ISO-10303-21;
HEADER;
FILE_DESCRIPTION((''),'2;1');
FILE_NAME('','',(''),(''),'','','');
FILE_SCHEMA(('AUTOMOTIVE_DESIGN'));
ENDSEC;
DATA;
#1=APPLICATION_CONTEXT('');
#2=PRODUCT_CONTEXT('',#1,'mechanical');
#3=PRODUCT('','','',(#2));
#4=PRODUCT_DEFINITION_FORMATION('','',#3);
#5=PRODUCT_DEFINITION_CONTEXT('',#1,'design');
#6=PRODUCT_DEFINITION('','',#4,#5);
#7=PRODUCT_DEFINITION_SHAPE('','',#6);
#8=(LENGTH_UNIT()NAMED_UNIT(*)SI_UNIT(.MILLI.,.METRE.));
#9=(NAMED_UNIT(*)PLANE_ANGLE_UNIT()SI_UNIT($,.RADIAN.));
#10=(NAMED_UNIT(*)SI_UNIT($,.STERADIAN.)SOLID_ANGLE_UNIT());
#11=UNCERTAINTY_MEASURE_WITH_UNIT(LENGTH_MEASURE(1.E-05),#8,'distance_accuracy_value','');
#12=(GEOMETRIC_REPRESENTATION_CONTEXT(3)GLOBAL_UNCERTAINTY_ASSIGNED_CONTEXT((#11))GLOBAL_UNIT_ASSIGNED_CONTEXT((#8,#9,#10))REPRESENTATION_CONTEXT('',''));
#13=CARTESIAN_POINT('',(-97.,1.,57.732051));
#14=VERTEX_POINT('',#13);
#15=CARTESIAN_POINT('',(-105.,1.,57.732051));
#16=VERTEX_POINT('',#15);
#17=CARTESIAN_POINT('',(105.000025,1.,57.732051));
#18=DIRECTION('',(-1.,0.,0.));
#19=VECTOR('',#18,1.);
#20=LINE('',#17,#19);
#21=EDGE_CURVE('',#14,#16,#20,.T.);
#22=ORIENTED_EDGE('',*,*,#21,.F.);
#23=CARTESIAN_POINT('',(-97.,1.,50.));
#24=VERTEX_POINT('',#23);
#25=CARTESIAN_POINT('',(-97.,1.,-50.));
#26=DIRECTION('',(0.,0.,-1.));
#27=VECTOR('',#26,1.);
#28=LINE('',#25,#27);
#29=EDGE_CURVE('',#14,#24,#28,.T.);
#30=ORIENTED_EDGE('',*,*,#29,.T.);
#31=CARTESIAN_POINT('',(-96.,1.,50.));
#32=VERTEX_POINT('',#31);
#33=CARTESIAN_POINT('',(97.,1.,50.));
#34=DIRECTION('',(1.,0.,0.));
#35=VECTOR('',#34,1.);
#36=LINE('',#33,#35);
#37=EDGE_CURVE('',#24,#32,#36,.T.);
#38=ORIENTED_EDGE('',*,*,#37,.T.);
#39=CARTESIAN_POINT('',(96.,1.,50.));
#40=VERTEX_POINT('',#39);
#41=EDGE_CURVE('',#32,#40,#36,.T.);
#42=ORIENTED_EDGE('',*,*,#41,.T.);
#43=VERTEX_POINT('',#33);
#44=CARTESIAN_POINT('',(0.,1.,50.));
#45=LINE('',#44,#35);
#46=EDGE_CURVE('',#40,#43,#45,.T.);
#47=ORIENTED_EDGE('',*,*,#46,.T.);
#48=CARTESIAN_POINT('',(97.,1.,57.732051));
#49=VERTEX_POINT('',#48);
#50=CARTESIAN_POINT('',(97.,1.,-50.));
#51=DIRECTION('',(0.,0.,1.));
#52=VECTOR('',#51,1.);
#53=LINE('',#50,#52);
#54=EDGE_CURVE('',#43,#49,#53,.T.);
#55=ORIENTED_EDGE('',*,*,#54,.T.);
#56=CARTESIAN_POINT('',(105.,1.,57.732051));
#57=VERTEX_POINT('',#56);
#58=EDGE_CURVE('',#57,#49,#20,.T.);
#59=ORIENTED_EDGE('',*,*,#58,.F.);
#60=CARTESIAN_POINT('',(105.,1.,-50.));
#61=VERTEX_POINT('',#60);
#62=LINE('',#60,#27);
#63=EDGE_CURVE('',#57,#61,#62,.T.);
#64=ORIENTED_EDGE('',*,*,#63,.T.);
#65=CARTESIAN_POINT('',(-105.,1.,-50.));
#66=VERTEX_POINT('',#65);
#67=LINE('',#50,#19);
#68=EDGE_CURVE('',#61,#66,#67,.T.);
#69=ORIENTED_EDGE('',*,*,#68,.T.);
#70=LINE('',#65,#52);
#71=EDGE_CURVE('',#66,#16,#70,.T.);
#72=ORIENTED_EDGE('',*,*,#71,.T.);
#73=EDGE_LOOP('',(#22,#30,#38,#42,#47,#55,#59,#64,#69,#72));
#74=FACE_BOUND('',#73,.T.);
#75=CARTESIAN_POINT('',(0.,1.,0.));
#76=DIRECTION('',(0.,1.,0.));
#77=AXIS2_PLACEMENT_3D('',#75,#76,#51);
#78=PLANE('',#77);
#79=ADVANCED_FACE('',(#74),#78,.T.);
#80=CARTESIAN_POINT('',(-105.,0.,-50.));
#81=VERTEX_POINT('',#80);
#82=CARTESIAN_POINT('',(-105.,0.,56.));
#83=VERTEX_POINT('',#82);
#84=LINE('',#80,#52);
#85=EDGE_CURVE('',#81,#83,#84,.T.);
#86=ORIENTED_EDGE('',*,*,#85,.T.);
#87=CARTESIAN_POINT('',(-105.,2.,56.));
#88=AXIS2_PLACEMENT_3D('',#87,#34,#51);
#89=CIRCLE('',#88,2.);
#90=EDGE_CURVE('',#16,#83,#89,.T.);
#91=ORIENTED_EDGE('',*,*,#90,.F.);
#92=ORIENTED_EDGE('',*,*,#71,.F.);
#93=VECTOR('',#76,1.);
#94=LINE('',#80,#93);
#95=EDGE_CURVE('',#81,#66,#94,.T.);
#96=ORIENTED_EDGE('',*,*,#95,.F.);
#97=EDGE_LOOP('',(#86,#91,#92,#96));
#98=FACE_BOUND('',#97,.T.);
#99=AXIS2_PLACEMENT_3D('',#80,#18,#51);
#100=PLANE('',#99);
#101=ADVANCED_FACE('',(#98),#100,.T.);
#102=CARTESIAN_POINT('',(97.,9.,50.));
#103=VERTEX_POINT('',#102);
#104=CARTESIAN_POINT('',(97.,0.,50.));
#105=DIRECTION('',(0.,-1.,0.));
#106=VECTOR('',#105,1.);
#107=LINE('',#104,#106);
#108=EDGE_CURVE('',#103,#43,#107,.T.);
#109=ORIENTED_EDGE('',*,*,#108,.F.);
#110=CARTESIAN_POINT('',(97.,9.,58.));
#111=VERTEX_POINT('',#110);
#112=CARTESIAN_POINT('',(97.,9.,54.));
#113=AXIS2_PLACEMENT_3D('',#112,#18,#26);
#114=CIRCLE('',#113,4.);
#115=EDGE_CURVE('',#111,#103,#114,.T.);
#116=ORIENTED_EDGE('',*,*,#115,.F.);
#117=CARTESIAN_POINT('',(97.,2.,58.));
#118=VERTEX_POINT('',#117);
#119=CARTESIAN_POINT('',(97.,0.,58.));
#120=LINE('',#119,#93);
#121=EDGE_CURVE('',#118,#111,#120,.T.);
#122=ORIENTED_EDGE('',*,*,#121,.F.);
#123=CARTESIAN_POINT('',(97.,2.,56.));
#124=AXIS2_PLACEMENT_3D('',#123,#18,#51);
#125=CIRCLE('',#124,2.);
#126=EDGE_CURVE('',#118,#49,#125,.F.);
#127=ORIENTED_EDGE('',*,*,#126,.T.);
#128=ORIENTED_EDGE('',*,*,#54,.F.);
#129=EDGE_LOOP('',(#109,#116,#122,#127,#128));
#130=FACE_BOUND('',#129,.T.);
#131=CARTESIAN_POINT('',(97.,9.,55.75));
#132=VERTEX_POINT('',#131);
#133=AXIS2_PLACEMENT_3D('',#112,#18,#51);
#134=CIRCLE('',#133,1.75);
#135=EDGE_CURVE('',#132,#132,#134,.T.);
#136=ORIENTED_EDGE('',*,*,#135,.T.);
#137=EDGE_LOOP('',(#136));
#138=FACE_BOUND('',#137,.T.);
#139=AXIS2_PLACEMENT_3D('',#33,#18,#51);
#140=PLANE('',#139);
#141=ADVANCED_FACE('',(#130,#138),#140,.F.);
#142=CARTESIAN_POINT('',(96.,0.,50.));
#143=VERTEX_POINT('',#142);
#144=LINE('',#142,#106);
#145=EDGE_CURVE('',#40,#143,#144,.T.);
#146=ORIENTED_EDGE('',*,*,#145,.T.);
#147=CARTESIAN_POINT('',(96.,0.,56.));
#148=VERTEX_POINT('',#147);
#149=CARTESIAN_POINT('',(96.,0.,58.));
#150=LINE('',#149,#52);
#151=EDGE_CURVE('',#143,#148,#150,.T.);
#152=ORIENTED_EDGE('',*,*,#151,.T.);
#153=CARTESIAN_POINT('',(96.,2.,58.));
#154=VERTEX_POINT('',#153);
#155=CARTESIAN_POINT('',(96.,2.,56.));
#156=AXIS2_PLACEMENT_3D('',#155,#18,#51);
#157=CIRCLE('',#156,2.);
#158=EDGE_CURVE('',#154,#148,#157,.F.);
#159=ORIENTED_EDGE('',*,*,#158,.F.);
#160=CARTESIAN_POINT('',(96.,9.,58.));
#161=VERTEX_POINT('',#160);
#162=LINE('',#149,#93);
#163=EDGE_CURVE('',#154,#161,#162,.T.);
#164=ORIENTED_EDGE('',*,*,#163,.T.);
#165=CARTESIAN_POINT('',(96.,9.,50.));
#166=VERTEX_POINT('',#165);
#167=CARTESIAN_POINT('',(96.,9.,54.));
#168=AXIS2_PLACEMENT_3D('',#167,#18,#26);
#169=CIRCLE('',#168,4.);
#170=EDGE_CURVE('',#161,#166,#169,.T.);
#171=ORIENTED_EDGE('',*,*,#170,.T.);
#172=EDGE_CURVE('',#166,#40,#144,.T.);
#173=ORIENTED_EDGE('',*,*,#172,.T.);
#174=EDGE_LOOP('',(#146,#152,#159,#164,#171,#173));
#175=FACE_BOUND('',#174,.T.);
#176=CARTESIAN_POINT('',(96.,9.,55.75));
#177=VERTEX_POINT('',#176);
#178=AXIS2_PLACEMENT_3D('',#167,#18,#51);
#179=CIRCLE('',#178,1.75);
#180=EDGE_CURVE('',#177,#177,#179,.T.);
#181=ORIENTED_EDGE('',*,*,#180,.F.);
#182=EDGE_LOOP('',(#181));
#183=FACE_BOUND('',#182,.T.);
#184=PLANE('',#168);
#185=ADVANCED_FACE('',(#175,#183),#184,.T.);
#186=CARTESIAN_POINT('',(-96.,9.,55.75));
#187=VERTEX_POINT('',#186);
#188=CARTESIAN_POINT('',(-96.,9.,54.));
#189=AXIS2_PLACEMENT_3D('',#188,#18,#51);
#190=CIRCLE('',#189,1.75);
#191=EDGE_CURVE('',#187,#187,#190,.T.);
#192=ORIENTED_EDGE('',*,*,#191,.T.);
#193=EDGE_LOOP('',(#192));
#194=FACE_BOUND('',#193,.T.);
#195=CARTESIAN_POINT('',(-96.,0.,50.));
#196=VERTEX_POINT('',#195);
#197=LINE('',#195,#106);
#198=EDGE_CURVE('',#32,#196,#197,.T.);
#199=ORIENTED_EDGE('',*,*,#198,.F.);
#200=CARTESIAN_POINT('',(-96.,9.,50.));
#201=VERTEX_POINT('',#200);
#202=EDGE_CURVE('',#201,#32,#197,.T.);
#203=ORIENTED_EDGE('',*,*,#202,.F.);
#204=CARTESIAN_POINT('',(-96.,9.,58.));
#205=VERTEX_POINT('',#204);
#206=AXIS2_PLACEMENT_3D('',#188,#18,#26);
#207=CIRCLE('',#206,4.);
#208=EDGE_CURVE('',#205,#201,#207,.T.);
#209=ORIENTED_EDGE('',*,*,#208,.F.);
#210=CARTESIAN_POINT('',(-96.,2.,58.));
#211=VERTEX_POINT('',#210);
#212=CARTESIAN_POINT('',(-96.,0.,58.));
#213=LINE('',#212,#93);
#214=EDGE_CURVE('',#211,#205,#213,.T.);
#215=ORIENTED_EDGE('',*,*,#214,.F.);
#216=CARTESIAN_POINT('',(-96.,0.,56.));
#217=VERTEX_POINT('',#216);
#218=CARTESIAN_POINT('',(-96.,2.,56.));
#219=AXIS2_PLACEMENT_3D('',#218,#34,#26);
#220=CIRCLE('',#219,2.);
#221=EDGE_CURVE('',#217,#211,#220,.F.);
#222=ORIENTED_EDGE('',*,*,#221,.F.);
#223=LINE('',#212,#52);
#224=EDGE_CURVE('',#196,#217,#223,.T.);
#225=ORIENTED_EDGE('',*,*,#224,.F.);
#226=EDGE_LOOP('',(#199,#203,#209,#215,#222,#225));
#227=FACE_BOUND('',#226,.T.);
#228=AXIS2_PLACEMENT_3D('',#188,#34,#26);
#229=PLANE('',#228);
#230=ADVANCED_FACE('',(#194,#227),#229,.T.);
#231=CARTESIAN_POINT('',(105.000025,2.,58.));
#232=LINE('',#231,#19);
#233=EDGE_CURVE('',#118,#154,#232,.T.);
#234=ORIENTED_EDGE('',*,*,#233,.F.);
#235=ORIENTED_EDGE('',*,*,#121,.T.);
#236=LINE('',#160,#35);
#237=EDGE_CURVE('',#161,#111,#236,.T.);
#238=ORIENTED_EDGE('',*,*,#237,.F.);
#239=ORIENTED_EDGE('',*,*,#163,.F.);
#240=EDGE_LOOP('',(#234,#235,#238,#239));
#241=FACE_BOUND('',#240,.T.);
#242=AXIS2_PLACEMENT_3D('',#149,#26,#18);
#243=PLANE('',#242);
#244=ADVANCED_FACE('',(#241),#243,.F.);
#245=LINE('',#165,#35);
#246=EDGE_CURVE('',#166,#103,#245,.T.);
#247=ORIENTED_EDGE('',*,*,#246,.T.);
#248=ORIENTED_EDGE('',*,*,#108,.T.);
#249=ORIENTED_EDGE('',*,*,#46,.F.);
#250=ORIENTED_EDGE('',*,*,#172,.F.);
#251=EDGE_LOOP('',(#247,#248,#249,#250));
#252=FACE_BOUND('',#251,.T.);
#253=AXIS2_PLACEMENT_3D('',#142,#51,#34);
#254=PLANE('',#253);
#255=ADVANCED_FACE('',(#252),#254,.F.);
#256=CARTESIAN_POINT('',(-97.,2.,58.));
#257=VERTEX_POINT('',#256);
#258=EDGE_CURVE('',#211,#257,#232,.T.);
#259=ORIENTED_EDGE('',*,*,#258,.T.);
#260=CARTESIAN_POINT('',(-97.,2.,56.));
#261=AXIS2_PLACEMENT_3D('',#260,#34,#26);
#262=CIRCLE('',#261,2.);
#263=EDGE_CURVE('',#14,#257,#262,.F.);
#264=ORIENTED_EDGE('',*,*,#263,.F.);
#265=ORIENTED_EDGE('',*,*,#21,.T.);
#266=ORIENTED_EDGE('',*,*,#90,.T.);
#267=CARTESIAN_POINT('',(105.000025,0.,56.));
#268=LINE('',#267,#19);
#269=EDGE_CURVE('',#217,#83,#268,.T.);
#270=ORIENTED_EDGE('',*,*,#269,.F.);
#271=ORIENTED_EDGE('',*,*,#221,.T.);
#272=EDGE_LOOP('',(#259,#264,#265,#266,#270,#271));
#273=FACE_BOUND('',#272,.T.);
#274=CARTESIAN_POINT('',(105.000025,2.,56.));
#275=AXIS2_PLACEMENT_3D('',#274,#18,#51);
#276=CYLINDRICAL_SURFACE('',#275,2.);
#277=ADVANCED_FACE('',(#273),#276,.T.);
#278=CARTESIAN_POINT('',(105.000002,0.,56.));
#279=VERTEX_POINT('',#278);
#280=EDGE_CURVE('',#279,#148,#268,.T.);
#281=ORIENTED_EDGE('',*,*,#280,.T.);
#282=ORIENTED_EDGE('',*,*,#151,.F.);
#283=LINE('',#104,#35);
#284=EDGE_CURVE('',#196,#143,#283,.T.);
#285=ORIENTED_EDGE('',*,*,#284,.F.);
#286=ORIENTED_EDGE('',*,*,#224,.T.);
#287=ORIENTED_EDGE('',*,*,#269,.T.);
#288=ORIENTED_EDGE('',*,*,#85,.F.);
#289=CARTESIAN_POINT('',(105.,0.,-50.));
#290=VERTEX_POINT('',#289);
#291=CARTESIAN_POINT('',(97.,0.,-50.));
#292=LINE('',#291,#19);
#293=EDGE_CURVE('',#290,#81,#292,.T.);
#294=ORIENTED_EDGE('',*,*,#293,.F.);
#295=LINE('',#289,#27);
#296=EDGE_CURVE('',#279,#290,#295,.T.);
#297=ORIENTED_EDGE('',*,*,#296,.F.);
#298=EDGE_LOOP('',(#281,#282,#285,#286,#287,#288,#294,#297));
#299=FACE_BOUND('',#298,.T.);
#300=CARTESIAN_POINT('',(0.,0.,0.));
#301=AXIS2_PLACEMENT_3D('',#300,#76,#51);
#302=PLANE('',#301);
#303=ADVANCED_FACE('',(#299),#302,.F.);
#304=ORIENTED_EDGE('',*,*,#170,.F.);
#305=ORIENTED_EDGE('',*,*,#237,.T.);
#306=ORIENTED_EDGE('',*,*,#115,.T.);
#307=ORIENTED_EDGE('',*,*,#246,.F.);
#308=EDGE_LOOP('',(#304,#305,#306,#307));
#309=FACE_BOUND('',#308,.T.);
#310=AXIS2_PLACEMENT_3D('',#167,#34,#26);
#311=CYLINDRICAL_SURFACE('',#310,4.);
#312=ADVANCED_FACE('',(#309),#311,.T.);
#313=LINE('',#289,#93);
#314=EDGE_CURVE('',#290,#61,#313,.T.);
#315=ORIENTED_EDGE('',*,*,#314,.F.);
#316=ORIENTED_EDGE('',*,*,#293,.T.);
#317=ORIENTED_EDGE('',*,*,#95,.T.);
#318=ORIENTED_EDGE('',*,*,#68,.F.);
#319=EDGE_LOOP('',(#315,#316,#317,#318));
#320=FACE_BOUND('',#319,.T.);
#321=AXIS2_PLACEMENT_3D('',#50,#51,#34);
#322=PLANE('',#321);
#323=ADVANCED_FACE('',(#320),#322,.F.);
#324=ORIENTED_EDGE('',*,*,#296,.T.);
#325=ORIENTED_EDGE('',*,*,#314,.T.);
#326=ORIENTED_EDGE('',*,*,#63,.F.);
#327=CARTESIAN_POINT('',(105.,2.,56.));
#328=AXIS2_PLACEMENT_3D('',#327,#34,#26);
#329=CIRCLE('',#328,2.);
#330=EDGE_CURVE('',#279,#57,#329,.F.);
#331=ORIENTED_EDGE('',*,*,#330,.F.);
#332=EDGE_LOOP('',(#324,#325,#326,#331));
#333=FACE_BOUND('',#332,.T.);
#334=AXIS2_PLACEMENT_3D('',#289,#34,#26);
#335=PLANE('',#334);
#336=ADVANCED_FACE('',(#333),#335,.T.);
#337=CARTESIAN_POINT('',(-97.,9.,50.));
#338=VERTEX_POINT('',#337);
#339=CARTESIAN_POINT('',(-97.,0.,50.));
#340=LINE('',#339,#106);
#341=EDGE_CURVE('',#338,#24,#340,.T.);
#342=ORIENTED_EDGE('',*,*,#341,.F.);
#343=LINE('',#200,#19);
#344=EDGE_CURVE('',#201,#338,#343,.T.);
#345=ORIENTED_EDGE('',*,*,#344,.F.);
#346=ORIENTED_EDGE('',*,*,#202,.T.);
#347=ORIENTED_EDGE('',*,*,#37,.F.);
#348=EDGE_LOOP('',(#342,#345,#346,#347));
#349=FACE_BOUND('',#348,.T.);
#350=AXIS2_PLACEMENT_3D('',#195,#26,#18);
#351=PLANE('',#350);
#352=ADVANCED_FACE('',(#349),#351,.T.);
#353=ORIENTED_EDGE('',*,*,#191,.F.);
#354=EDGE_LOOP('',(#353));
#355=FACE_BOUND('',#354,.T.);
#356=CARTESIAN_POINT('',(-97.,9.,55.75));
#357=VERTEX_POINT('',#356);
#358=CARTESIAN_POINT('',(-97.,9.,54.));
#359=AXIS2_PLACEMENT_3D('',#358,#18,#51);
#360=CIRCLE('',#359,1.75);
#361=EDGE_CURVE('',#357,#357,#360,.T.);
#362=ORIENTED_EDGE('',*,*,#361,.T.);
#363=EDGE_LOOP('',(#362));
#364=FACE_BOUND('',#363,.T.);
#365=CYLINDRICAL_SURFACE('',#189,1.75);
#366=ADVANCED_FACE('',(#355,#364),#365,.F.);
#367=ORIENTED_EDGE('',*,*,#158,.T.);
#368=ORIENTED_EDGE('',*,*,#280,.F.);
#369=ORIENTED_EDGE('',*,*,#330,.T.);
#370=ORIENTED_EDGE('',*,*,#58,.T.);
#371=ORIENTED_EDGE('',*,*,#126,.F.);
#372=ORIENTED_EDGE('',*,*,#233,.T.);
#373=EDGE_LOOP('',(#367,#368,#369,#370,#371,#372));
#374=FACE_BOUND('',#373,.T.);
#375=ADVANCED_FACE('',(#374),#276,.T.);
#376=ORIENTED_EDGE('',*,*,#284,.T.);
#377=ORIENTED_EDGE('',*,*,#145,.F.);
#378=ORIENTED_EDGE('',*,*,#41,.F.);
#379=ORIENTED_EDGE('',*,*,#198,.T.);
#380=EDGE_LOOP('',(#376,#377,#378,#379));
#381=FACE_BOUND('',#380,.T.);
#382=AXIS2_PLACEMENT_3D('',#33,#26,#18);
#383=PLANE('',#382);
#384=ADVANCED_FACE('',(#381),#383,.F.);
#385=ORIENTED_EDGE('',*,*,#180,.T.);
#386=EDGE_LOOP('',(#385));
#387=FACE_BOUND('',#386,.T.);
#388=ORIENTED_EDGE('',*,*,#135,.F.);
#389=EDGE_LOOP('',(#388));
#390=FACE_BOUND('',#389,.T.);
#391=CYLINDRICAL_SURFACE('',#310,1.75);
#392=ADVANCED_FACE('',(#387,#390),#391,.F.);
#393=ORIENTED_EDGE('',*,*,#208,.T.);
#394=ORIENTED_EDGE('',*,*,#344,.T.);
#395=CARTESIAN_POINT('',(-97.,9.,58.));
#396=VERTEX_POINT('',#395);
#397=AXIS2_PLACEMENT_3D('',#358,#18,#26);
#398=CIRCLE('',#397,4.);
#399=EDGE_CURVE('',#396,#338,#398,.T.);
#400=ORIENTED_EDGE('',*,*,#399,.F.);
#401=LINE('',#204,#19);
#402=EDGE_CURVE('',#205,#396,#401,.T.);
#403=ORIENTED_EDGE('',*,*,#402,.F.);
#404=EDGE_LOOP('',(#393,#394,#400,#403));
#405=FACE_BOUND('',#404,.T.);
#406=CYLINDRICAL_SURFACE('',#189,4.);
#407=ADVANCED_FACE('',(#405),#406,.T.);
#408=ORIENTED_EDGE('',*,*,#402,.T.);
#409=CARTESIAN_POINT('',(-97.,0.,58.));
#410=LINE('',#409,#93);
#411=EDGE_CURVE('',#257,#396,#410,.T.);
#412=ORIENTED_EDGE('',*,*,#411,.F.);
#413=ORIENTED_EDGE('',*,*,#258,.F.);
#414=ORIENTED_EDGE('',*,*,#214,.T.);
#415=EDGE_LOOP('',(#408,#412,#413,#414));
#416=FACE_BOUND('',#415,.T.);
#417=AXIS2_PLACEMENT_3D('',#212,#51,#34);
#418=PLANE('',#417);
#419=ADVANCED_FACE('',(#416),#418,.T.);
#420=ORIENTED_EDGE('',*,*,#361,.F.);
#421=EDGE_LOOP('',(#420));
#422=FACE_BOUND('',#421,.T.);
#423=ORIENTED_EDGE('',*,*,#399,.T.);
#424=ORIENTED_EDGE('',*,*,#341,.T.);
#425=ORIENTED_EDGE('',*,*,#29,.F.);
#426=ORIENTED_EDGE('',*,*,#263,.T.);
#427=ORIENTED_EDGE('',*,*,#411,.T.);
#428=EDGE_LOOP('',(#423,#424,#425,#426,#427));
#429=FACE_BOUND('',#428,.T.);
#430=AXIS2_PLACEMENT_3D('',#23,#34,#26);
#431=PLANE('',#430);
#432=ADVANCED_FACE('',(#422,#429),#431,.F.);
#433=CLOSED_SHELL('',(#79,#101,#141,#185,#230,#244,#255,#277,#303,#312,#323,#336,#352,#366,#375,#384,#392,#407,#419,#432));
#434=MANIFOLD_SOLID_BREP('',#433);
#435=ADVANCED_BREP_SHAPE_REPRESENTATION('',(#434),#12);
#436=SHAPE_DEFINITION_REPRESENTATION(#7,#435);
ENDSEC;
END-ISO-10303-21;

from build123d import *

# Parameters (mm, degrees)
SKETCH1_W           = 194
SKETCH1_H           = 100
BOSS_EXTRUDE1_DEPTH = 1
SKETCH2_R           = 1.75
BOSS_EXTRUDE2_DEPTH = 1
SKETCH5_W           = 8
SKETCH5_H           = 108
BOSS_EXTRUDE3_DEPTH = 1
CUT_EXTRUDE3_DEPTH  = 219.249856816


with BuildPart() as part:
    # Sketch1 → Boss-Extrude1 (new body)
    with BuildSketch(Plane(origin=(0, 0, 0), x_dir=(1, 0, 0), z_dir=(0, 1, 0))):
        Rectangle(SKETCH1_W, SKETCH1_H)
    extrude(amount=BOSS_EXTRUDE1_DEPTH)

    # Sketch2 → Boss-Extrude2 (add)
    with BuildSketch(Plane.ZY.offset(97)):
        with BuildLine():
            Line((58, 0), (58, 9))
            ThreePointArc((58, 9), (54, 13), (50, 9))
            Line((50, 9), (50, 0))
            Line((50, 0), (58, 0))
        make_face()
        with Locations((54, 9)):
            Circle(SKETCH2_R, mode=Mode.SUBTRACT)
    boss_extrude2 = extrude(amount=-BOSS_EXTRUDE2_DEPTH)

    # Mirror1: Boss-Extrude2 across plane
    add(boss_extrude2.mirror(Plane.ZY))

    # Sketch5 → Boss-Extrude3 (add)
    with BuildSketch(Plane(origin=(0, 1, 0), x_dir=(1, 0, 0), z_dir=(0, 1, 0))):
        with Locations((-101, -4)):
            Rectangle(SKETCH5_W, SKETCH5_H)
        with Locations((101, -4)):
            Rectangle(SKETCH5_W, SKETCH5_H)
    extrude(amount=-BOSS_EXTRUDE3_DEPTH)

    # Sketch6 → Cut-Extrude3 (cut, through all)
    with BuildSketch(Plane.ZY.offset(105)):
        with BuildLine():
            Line((58, 0), (56, 0))
            ThreePointArc((56, 0), (57.414213562, 0.585786438), (58, 2))
            Line((58, 2), (58, 0))
        make_face()
    extrude(amount=-CUT_EXTRUDE3_DEPTH, mode=Mode.SUBTRACT)


solid = part.part
